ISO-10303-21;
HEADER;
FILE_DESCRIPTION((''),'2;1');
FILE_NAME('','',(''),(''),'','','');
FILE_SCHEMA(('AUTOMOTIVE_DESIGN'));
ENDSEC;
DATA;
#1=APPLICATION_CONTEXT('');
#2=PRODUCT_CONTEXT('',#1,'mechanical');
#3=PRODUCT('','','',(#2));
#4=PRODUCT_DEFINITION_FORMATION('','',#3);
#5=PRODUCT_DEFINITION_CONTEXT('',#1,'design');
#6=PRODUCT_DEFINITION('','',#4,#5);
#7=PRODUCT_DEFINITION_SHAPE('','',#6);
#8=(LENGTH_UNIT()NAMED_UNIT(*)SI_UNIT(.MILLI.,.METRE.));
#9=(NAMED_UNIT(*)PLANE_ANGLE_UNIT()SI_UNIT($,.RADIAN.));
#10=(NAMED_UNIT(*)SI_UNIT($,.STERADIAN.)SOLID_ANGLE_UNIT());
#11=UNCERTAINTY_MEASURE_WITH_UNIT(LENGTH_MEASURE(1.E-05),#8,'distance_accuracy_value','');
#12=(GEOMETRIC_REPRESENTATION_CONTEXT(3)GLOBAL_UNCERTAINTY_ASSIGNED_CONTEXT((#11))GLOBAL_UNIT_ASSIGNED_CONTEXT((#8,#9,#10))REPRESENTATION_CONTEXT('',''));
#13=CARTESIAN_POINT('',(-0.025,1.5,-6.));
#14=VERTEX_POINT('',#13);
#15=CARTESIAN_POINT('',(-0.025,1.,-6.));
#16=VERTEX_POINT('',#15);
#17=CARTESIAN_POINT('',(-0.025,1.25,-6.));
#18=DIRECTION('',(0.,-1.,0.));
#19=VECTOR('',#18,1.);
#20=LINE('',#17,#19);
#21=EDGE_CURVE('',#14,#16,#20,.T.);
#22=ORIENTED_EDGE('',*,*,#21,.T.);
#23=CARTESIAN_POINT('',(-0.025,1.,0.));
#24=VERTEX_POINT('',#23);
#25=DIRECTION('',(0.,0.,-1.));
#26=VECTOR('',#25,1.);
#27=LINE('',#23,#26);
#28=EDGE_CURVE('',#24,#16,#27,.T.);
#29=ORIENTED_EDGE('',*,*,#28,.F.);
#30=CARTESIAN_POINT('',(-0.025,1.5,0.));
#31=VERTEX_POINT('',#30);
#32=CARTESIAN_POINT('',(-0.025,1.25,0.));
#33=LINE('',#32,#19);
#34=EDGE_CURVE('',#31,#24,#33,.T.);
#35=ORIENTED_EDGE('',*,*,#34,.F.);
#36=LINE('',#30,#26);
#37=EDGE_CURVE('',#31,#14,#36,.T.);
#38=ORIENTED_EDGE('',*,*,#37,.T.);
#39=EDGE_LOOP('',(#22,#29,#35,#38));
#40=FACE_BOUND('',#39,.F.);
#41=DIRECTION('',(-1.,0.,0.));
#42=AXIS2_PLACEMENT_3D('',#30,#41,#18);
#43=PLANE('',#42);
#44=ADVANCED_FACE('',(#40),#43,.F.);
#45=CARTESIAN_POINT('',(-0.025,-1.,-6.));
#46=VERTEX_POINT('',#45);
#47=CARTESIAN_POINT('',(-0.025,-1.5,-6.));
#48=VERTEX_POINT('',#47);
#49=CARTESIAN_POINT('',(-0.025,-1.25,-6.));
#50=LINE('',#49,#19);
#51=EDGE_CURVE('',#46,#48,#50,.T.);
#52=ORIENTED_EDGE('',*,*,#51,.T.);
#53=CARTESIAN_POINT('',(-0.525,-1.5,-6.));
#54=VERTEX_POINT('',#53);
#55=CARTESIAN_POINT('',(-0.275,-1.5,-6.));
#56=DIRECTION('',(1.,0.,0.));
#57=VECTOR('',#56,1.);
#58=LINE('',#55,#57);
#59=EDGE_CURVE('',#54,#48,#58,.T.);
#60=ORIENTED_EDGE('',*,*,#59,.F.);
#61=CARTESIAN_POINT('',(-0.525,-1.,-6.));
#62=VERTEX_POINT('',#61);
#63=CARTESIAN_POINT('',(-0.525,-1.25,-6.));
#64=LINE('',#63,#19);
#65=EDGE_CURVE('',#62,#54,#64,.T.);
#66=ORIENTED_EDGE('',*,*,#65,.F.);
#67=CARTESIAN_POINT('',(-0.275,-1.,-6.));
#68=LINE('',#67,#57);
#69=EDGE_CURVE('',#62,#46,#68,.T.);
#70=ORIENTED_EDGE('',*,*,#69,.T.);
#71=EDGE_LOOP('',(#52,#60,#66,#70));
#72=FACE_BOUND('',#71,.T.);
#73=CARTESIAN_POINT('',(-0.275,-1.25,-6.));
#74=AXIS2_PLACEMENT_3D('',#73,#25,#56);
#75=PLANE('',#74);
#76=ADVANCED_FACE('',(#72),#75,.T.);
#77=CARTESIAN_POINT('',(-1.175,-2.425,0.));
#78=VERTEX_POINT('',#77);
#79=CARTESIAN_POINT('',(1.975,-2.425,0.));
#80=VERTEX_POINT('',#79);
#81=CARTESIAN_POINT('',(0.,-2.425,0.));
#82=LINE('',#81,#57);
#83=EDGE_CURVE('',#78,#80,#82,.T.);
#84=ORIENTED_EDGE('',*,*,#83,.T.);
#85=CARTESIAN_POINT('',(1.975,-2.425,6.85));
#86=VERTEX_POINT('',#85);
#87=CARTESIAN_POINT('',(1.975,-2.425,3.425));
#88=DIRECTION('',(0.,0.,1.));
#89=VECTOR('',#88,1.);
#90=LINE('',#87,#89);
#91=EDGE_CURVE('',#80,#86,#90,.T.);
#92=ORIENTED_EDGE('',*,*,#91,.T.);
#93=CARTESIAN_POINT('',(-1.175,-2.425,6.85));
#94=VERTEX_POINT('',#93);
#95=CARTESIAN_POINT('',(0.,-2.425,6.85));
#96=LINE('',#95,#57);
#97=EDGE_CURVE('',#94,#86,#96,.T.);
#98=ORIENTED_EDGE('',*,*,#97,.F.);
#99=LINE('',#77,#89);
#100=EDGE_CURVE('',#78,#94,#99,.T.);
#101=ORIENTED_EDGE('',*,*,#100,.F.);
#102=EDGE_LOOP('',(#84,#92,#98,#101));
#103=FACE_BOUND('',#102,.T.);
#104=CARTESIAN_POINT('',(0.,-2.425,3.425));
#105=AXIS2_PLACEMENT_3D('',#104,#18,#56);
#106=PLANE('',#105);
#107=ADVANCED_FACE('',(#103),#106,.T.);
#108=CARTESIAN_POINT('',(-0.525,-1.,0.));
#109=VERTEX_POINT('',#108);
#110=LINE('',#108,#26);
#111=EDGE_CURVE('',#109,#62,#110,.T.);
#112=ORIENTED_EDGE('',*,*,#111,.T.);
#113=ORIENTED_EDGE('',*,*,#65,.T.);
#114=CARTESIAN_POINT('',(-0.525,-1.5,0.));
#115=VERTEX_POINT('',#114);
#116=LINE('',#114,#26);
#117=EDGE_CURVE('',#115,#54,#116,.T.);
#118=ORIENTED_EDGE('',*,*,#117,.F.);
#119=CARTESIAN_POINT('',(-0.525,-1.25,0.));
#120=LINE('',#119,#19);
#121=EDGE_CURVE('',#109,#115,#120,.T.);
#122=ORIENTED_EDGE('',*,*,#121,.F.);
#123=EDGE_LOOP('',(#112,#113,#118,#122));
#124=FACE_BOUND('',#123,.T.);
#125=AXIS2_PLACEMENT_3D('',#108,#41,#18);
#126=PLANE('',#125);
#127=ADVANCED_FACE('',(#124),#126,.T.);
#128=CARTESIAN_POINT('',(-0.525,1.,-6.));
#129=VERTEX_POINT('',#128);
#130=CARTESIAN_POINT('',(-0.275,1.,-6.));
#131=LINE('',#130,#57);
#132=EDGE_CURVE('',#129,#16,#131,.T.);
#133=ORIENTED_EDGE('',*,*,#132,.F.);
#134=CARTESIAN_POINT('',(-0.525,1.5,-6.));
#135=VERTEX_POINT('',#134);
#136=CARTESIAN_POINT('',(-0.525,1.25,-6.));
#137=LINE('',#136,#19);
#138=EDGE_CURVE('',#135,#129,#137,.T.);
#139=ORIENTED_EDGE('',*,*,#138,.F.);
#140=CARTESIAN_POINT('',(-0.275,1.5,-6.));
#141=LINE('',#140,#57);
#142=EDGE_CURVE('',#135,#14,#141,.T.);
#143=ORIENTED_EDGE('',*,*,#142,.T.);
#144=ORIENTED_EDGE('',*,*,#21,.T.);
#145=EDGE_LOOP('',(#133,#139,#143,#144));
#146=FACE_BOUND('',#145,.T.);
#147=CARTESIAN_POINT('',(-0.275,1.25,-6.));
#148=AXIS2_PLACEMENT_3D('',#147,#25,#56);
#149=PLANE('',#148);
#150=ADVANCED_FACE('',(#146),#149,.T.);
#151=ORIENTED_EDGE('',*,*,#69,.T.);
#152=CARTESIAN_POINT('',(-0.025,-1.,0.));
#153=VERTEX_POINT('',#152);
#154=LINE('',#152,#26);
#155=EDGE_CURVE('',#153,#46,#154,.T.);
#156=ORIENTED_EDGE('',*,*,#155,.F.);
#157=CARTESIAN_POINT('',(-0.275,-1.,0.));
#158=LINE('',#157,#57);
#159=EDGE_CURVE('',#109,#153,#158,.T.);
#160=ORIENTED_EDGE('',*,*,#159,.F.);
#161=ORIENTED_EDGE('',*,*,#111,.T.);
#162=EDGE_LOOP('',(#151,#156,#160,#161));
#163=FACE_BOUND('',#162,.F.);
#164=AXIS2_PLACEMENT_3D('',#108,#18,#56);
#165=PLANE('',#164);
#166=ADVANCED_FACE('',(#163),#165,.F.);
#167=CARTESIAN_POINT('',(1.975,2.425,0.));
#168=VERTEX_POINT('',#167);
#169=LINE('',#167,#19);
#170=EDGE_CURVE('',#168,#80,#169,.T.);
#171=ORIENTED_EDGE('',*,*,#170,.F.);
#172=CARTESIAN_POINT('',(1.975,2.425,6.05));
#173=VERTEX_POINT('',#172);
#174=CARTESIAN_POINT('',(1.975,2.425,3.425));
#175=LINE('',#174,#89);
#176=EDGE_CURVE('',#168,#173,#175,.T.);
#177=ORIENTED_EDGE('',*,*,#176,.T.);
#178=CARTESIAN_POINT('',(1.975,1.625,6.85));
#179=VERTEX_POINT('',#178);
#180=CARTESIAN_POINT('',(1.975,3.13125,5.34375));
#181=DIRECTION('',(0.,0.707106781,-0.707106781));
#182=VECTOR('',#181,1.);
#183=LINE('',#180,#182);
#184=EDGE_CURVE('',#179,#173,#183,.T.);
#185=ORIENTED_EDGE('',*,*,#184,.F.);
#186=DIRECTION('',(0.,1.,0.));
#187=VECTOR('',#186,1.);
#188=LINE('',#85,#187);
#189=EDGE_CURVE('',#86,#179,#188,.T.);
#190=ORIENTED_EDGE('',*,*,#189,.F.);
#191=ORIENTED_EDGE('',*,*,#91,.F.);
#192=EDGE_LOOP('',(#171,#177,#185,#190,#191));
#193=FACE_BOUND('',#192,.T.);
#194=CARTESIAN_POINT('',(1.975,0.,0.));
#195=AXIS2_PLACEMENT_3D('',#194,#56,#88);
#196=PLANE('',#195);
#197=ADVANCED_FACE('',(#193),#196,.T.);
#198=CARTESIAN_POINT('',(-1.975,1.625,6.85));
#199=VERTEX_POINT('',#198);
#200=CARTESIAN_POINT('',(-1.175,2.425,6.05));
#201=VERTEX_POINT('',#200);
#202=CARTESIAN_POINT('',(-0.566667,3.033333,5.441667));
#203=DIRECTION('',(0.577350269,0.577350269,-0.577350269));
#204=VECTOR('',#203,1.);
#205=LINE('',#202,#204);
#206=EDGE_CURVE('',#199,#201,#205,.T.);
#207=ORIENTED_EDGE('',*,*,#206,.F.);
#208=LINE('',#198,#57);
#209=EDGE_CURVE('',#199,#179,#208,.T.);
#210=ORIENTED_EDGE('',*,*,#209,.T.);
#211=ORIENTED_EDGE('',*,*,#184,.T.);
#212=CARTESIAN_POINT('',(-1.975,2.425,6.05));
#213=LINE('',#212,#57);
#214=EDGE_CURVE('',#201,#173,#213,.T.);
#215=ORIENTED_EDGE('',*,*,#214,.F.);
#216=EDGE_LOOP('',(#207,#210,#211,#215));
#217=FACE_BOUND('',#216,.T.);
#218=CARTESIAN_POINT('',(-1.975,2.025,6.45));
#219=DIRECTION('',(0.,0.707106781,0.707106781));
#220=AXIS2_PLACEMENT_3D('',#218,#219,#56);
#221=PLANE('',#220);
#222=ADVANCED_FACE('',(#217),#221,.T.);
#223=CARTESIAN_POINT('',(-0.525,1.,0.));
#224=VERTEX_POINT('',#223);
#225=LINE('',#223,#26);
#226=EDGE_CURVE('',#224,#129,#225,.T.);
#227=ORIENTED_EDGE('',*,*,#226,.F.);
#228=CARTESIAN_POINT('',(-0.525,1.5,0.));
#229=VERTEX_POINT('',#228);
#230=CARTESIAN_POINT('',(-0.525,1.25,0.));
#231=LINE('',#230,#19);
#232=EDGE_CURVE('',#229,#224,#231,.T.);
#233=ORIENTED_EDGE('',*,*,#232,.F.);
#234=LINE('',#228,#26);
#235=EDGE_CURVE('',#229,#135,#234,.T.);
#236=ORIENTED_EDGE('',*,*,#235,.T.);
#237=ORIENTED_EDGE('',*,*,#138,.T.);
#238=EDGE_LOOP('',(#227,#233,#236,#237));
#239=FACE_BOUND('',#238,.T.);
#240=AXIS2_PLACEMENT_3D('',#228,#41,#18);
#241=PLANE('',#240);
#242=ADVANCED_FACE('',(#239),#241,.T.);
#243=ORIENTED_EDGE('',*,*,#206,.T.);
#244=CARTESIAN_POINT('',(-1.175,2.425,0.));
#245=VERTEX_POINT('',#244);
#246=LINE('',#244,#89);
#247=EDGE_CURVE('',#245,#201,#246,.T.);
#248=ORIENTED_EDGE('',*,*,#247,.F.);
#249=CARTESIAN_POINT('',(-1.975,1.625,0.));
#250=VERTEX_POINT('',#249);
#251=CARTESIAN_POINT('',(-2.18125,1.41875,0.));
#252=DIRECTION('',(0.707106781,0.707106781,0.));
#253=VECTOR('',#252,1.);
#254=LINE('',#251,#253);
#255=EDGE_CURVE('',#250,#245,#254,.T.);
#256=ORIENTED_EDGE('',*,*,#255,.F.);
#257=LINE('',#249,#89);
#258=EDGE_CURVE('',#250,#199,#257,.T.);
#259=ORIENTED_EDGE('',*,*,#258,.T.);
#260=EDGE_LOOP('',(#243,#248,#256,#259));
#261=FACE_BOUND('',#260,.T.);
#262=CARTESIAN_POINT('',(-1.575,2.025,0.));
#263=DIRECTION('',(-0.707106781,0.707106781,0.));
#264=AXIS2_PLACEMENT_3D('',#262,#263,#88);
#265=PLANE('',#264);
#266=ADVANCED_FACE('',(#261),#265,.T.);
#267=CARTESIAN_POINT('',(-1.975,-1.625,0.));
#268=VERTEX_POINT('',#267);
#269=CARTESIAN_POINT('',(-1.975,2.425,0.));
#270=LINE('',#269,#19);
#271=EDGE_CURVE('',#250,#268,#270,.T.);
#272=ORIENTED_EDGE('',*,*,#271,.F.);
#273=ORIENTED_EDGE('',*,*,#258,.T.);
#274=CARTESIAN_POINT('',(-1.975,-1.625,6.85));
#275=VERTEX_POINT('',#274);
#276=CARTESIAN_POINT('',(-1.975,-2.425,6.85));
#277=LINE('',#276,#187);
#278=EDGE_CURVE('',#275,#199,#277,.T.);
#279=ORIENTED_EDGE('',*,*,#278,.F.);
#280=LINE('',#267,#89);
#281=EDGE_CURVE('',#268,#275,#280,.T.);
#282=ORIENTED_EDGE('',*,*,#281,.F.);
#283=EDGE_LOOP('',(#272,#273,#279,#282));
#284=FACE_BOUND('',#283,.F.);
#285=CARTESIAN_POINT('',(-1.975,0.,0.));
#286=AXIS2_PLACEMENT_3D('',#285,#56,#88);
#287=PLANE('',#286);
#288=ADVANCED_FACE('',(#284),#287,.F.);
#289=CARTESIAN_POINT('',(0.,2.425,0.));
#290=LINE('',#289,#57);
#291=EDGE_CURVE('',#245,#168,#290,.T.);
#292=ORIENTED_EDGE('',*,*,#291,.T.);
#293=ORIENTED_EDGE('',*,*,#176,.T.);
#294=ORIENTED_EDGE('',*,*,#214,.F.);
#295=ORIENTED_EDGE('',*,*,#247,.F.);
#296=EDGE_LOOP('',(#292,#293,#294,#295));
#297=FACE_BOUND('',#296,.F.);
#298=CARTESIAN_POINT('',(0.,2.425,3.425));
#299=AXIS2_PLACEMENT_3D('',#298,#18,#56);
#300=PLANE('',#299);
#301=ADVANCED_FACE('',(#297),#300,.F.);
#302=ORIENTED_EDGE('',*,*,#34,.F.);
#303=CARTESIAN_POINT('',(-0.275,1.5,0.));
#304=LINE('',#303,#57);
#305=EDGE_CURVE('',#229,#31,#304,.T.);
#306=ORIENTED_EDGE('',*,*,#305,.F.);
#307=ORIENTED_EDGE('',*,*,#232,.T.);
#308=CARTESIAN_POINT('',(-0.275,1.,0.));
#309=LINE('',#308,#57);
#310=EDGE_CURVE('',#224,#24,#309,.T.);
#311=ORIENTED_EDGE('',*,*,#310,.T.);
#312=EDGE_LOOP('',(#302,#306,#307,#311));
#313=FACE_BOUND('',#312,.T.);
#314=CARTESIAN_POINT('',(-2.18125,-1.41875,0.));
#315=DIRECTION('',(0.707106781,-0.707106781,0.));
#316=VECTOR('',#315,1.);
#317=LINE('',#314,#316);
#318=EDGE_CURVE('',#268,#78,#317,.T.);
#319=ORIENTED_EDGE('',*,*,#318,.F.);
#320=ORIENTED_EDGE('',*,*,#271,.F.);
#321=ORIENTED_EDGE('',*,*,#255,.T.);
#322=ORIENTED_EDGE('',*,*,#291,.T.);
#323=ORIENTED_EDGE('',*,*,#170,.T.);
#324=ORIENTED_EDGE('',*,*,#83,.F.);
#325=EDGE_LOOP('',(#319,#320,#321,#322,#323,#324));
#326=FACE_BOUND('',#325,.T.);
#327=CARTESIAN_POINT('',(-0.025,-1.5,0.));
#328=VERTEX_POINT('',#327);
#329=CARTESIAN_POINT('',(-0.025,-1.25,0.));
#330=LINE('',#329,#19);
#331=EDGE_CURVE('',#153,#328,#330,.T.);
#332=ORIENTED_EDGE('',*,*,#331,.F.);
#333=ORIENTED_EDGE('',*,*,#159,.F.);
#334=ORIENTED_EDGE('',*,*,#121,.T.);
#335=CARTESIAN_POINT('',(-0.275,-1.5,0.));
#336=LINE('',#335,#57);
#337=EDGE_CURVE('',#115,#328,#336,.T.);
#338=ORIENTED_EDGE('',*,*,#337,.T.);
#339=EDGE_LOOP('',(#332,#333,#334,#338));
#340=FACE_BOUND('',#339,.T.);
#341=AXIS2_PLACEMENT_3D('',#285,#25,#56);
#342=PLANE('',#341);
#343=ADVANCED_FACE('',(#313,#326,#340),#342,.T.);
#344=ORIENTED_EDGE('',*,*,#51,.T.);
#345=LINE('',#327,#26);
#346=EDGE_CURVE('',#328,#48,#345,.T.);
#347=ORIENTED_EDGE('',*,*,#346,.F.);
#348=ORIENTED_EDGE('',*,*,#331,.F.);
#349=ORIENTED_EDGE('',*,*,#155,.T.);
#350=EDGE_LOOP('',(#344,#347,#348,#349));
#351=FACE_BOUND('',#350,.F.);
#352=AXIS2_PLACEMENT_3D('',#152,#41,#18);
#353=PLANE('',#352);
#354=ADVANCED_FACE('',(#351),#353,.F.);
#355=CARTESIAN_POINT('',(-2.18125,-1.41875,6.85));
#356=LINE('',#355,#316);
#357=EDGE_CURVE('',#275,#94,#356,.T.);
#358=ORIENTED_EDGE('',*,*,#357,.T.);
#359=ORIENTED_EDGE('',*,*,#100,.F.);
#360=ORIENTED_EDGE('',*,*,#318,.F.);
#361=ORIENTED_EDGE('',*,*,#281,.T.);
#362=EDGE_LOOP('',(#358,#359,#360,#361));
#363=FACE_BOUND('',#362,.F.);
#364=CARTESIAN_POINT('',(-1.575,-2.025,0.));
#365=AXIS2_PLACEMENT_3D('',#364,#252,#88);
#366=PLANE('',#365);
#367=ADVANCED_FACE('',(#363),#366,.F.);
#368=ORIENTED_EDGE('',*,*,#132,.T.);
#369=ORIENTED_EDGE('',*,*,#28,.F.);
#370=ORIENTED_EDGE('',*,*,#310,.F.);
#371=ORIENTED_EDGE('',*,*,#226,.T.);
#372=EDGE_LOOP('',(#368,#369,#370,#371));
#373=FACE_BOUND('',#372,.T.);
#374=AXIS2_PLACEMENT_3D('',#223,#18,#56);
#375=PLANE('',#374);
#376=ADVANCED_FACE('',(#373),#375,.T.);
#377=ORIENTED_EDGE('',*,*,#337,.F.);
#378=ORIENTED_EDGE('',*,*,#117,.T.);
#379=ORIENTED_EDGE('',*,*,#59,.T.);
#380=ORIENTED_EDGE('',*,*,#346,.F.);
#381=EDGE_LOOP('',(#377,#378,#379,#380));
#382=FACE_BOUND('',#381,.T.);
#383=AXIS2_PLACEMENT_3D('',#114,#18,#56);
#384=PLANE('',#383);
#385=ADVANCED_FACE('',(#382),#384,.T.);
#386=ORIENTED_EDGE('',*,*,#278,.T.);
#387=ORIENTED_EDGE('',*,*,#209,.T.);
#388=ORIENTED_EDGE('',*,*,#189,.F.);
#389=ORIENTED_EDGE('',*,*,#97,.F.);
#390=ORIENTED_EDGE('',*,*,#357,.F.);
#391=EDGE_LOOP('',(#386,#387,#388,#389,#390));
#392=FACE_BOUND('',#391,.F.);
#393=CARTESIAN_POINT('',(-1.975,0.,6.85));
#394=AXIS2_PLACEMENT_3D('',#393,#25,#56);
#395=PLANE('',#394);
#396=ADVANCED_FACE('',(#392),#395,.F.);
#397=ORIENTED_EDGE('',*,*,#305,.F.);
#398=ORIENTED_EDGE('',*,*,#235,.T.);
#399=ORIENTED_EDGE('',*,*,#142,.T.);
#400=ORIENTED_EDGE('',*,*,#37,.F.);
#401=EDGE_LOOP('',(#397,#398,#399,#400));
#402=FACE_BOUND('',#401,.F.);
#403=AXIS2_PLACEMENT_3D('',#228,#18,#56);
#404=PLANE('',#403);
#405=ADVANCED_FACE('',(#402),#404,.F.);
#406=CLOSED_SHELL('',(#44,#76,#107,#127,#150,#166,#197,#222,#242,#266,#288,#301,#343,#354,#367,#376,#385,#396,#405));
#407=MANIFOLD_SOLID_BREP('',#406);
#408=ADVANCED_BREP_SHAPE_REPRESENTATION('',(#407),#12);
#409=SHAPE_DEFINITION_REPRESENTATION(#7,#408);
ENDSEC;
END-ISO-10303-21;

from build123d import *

# Parameters (mm, degrees)
F0_W     = 3.95
F0_H     = 6.85
F1_DEPTH = 2.425
F2_SIZE  = 0.8
F3_W     = 0.5
F3_H     = 0.5
F4_DEPTH = 6


with BuildPart() as f1:
    # F0 (on Front) → F1 (new body, symmetric)
    with BuildSketch(Plane.XZ):
        with Locations((0, 3.425)):
            Rectangle(F0_W, F0_H)
    extrude(amount=F1_DEPTH, both=True)

    # F2
    f2_edges = [f1.edges().sort_by_distance(p)[0] for p in [
        (0, 2.425, 6.85),
        (-1.975, -2.425, 3.425),
        (-1.975, 2.425, 3.425),
    ]]
    chamfer(f2_edges, length=F2_SIZE)

    # F3 (on face) → F4 (join)
    with BuildSketch(Plane(origin=(0, 0, 0), x_dir=(1, 0, 0), z_dir=(0, 0, -1))):
        with Locations((-0.275, 1.25)):
            Rectangle(F3_W, F3_H)
        with Locations((-0.275, -1.25)):
            Rectangle(F3_W, F3_H)
    extrude(amount=F4_DEPTH)


solid = f1.part
